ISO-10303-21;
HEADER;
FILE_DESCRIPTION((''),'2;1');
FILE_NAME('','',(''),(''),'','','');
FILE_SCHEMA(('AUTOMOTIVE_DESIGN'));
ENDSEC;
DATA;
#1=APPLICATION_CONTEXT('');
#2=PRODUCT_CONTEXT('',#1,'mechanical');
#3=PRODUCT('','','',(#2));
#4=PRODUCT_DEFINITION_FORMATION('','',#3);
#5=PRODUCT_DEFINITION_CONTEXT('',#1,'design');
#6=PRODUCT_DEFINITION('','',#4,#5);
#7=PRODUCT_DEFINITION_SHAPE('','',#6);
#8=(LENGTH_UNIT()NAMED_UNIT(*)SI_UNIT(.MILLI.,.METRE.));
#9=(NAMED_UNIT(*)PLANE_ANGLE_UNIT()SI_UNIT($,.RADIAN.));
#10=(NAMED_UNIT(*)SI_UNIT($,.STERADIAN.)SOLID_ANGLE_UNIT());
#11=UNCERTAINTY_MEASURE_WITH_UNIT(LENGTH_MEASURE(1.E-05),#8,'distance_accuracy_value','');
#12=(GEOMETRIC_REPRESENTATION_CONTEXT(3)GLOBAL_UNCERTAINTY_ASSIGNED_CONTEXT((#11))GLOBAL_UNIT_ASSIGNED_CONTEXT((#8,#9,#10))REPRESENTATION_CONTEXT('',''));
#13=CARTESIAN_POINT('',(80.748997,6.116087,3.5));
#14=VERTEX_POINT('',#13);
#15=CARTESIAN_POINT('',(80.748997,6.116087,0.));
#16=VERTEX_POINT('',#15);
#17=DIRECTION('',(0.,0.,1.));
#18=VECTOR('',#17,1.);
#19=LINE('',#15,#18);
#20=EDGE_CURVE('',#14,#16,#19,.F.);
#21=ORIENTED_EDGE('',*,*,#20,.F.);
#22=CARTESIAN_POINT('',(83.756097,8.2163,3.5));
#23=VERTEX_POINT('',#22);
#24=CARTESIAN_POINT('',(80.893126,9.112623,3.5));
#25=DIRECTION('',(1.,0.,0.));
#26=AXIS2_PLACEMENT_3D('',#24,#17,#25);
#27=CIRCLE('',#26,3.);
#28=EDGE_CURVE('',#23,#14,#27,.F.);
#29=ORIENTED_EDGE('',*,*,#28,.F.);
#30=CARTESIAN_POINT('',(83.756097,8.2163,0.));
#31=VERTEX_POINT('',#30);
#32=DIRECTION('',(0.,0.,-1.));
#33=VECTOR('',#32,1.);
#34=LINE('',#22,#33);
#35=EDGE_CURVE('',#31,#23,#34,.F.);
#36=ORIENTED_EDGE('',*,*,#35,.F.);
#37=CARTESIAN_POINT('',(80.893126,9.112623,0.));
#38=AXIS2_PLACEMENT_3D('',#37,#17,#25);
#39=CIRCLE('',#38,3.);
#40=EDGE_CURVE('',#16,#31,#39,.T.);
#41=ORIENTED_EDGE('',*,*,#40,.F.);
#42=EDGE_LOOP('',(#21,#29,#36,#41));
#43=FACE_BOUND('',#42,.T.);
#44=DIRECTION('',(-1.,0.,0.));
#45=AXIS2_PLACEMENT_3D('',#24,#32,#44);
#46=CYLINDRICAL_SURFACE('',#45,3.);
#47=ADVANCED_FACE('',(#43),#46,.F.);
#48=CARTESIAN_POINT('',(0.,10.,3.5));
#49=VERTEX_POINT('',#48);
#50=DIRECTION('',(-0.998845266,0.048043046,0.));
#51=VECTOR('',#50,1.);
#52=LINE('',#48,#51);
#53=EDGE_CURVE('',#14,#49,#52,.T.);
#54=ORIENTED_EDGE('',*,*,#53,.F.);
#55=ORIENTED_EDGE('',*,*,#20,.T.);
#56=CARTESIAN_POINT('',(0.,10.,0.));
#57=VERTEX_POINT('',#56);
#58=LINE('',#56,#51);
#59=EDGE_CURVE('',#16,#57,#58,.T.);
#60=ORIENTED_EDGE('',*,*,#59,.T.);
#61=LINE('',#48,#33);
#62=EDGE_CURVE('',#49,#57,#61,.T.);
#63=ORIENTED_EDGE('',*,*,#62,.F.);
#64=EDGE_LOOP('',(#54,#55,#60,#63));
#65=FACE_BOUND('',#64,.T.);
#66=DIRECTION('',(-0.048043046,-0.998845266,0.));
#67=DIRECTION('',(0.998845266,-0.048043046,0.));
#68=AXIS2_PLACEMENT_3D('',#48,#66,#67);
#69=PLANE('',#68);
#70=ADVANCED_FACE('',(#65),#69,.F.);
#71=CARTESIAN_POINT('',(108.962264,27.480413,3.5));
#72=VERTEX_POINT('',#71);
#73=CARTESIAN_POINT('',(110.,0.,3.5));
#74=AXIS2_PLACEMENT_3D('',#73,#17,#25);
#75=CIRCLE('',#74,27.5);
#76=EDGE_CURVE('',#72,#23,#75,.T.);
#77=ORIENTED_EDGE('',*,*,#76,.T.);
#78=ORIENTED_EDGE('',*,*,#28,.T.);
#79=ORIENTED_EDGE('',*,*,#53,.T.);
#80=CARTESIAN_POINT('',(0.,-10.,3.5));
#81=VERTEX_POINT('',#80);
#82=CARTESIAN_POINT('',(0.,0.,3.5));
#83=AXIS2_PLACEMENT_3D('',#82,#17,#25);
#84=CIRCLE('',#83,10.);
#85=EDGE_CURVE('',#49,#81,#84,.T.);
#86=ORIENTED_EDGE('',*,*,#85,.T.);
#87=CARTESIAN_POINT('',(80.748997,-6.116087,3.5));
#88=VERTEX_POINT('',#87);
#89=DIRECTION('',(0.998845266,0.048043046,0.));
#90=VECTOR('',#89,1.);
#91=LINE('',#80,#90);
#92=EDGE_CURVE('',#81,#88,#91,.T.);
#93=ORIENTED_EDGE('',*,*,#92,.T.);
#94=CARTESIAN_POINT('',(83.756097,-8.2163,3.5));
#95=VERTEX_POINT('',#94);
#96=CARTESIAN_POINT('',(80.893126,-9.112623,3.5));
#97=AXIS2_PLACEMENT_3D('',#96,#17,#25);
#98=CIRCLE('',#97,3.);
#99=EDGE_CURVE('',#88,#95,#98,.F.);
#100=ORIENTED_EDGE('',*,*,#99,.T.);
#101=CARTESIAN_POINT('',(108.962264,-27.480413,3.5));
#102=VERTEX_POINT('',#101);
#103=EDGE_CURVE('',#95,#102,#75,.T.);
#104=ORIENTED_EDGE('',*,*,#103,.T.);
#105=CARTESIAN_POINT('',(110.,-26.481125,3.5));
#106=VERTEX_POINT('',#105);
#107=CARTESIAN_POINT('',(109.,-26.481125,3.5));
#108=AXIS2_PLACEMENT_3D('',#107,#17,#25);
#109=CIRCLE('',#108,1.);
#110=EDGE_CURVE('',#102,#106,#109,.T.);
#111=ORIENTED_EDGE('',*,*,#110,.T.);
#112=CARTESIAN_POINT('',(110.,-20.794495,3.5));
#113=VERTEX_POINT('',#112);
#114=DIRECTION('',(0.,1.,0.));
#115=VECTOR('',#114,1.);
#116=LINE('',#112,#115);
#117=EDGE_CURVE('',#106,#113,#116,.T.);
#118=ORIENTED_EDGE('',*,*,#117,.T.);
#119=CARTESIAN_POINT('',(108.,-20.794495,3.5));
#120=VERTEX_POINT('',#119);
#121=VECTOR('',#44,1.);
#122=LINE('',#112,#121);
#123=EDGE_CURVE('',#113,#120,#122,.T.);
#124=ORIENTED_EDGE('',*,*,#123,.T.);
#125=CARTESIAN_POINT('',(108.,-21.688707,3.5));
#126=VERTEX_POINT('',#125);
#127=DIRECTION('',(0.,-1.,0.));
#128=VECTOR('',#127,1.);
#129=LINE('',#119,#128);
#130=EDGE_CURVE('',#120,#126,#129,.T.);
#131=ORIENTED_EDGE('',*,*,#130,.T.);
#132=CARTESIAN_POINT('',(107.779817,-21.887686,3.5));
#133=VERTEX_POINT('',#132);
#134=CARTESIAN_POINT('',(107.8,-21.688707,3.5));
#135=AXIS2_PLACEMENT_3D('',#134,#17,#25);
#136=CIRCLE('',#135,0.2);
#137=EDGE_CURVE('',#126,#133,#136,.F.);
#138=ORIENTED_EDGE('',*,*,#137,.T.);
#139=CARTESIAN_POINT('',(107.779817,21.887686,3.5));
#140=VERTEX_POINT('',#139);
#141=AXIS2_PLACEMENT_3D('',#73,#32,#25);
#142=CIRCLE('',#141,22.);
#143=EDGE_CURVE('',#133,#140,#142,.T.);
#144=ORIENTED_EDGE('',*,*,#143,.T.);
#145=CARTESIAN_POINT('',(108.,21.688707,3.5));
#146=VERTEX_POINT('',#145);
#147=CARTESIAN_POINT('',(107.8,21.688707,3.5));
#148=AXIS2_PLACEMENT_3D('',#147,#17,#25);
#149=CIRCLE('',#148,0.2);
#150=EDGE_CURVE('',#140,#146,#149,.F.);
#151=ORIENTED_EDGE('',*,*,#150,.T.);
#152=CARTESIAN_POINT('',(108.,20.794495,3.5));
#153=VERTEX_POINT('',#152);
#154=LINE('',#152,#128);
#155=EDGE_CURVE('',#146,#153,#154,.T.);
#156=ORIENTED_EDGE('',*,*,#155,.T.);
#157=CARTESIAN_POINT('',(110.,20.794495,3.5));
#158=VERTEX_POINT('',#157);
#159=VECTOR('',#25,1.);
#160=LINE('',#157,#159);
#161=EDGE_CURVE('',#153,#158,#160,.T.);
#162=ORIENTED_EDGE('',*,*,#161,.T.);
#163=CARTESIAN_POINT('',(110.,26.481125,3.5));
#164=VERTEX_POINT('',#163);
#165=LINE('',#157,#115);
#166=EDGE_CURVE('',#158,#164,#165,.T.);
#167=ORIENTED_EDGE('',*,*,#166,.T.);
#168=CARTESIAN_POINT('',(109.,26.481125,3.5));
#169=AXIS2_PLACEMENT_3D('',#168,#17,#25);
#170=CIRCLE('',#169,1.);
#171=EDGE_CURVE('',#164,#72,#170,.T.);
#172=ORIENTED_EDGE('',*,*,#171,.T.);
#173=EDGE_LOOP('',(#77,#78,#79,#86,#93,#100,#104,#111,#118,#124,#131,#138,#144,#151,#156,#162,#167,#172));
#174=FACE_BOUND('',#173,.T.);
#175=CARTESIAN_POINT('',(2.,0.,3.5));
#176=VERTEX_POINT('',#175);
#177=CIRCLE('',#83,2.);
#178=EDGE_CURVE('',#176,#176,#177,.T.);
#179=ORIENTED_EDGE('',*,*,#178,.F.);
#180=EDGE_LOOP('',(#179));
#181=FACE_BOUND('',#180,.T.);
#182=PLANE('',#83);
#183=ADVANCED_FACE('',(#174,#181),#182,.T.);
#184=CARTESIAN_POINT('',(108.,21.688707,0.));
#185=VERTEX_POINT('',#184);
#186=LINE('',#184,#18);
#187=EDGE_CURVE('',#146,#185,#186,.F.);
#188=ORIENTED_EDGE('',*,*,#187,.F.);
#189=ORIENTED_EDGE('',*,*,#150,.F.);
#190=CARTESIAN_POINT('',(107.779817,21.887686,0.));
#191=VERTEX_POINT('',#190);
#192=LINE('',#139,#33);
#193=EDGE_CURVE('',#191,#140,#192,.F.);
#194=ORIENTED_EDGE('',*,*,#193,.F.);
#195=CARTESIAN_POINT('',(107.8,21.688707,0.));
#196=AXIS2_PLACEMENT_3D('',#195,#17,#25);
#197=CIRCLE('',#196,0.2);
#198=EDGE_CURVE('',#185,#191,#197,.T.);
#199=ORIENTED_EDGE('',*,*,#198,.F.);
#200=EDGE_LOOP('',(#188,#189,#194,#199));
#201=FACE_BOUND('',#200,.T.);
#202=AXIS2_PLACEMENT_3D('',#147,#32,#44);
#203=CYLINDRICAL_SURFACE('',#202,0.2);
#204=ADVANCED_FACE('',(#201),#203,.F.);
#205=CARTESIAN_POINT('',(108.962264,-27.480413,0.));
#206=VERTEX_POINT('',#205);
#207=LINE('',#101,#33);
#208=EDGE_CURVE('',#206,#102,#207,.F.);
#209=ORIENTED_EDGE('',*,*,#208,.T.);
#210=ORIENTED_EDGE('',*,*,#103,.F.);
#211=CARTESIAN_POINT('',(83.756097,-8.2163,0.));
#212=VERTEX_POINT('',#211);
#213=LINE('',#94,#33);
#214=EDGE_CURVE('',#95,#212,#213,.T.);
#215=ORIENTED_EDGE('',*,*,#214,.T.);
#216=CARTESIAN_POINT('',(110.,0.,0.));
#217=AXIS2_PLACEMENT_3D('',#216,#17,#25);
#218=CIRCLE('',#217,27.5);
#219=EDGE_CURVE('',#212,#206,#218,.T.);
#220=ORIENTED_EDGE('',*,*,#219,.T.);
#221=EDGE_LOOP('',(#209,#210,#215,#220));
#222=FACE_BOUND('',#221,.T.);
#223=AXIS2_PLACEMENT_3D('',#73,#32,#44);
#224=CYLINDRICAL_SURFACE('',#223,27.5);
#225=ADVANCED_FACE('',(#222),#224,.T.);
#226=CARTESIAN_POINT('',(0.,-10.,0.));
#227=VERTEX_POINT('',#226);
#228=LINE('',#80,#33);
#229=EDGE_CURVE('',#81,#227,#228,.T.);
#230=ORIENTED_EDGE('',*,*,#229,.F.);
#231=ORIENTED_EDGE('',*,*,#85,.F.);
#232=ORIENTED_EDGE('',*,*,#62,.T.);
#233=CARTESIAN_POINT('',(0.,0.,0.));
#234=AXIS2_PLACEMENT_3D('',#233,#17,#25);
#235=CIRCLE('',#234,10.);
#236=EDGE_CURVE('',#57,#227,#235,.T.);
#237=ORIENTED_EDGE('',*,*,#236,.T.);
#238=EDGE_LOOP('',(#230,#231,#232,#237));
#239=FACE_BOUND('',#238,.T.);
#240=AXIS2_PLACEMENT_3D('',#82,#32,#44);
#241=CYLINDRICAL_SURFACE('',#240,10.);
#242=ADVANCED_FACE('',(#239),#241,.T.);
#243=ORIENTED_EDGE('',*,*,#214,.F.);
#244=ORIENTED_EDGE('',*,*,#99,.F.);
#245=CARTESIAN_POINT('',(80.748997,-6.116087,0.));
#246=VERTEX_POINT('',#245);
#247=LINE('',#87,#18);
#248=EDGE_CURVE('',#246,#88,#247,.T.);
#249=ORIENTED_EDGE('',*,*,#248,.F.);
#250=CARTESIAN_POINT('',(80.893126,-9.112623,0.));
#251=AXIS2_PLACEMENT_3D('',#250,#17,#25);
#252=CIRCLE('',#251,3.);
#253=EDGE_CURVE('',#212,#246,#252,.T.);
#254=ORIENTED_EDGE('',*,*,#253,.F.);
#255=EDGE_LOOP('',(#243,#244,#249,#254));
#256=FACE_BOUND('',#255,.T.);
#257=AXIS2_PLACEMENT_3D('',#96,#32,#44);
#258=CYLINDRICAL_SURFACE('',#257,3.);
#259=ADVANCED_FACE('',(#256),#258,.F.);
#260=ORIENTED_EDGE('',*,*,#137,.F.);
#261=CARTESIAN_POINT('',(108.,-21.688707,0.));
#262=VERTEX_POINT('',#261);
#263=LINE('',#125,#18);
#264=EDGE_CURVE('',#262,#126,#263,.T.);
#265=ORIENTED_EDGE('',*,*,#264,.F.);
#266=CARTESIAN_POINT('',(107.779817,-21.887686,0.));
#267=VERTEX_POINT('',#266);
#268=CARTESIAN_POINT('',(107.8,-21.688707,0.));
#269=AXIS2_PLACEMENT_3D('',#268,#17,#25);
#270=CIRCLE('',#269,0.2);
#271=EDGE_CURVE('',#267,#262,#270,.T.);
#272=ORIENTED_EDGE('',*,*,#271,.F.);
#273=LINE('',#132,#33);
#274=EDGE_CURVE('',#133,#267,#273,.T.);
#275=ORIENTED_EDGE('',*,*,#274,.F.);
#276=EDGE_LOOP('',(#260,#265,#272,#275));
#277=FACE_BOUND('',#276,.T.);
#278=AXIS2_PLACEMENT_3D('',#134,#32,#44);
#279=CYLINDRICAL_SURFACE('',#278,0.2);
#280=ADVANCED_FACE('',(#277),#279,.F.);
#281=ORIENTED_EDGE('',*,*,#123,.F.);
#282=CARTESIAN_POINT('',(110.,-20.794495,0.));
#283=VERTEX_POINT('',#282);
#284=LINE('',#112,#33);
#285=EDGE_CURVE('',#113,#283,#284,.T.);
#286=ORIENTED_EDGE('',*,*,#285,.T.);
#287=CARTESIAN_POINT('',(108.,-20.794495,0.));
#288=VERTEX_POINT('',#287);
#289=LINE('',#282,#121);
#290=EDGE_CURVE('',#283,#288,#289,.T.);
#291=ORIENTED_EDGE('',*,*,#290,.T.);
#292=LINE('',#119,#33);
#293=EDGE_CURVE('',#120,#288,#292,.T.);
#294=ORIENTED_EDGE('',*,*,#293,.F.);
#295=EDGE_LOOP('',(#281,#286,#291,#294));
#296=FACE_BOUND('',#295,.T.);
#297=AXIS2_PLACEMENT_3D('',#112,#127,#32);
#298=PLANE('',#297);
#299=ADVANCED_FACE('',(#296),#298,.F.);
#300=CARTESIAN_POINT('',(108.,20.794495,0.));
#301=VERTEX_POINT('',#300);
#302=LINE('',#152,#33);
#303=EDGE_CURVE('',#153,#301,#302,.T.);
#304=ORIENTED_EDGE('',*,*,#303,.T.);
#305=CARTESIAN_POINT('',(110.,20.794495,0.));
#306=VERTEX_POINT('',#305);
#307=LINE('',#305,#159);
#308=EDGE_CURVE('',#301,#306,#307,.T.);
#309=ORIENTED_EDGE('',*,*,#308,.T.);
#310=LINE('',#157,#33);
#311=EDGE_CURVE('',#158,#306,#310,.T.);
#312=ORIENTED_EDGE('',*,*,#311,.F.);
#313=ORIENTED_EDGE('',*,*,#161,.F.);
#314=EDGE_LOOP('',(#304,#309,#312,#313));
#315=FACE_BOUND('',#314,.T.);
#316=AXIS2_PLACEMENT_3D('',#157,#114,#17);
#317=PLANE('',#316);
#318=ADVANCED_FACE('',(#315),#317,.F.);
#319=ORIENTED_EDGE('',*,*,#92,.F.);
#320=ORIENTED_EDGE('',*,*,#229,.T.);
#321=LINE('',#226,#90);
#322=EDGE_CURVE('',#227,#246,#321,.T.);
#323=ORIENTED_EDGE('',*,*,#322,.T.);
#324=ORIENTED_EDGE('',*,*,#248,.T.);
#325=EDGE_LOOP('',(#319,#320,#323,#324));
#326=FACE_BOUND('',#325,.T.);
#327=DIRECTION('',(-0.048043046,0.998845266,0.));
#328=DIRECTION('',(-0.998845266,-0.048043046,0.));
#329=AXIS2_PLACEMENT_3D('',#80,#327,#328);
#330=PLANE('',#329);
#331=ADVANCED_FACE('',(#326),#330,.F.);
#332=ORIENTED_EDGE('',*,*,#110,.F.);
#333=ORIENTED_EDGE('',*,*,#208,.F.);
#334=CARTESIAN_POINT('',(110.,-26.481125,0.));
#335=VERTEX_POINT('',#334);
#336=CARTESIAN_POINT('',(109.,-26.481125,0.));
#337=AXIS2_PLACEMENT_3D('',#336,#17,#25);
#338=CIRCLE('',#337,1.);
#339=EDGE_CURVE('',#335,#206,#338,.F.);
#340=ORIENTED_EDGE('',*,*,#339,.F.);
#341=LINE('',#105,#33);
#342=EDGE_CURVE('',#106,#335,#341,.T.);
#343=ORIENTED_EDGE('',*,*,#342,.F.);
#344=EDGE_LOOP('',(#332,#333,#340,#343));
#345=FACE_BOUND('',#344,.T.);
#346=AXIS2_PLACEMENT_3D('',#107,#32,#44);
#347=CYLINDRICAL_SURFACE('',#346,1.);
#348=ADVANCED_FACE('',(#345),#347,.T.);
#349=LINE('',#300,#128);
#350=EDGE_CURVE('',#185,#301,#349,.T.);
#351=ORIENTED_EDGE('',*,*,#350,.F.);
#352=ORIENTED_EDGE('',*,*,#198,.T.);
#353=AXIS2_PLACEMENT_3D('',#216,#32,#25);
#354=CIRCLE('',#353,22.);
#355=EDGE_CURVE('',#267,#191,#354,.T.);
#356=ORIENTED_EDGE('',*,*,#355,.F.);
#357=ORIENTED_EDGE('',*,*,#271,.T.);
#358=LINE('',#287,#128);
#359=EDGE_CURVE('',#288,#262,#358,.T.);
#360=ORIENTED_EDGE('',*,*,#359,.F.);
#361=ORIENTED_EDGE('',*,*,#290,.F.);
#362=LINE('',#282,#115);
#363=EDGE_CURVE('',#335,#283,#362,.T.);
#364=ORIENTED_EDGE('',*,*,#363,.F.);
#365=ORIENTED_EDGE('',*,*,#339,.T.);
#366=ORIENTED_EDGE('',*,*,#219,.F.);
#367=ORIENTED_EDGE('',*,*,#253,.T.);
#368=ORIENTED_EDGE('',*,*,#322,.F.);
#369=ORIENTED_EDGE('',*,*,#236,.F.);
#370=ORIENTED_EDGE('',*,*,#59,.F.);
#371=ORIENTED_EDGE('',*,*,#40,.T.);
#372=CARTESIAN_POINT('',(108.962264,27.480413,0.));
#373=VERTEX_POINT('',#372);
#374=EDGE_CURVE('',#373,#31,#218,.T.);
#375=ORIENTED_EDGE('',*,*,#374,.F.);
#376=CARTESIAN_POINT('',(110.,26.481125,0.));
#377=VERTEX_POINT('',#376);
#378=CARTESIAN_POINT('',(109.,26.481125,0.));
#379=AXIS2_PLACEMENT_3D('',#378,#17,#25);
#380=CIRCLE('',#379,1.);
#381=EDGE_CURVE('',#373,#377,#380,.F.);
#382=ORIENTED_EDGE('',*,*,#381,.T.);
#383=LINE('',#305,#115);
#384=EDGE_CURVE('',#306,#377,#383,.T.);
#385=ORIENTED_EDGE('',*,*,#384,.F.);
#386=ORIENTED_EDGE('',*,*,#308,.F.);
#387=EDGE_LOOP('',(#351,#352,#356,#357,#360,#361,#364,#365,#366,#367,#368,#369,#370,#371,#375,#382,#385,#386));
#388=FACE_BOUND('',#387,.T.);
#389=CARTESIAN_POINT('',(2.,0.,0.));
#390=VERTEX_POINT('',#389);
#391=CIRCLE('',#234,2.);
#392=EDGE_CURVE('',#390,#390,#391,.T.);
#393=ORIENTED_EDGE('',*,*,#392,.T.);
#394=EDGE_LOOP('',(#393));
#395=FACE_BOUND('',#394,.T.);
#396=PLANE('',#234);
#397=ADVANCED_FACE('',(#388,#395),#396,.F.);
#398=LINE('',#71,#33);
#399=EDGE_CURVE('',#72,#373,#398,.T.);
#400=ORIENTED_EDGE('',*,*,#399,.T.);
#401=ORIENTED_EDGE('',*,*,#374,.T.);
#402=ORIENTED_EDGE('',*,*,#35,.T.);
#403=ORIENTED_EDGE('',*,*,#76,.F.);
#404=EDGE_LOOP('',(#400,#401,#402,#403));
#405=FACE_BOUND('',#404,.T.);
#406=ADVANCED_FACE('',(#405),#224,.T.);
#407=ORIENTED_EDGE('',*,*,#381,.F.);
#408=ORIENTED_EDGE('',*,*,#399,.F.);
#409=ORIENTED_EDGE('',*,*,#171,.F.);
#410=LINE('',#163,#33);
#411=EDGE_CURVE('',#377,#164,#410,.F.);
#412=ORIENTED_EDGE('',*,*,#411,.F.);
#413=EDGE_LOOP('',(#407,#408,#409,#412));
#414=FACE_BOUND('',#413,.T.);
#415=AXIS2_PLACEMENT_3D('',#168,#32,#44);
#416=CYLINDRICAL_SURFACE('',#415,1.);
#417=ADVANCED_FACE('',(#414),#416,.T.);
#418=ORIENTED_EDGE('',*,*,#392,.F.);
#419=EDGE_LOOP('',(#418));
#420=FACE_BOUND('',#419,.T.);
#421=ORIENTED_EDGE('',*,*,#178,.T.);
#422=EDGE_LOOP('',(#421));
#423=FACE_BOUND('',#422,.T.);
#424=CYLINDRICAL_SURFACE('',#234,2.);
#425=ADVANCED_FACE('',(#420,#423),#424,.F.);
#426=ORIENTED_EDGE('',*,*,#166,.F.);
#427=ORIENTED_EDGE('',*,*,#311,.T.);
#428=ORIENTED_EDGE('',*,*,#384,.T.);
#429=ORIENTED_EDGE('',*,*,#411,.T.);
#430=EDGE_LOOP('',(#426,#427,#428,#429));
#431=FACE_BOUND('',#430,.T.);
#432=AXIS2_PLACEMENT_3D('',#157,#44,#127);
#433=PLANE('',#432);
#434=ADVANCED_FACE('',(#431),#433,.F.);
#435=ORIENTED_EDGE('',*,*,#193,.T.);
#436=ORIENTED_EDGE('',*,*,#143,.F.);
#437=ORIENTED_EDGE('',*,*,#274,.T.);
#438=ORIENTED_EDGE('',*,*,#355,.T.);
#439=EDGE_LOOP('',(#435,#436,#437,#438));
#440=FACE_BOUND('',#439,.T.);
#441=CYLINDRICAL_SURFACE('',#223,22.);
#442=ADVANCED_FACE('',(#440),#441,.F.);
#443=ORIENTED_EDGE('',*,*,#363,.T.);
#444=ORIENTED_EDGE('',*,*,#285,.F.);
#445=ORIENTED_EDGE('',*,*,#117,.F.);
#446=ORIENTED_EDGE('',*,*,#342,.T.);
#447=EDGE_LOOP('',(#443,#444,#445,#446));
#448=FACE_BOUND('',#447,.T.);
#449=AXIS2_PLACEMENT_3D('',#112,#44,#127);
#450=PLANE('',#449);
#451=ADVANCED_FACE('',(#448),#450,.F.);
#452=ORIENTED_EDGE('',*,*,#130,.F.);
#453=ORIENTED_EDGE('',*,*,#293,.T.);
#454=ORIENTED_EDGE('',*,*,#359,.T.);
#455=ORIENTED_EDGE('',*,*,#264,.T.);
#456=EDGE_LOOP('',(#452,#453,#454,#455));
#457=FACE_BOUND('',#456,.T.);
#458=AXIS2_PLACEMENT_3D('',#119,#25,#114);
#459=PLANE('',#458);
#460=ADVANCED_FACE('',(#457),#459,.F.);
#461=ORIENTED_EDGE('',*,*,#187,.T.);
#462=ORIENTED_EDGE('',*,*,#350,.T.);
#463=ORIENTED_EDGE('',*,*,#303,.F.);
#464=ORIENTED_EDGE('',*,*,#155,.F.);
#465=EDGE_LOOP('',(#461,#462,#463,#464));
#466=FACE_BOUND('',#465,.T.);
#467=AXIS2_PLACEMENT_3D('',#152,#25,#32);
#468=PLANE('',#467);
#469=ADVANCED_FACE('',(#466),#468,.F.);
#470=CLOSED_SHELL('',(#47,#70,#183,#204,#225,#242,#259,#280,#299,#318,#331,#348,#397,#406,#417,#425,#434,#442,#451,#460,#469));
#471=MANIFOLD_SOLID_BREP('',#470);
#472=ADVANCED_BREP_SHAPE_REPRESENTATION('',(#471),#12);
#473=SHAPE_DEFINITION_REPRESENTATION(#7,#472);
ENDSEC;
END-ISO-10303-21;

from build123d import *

# Parameters (mm, degrees)
EXTRUSION1_DEPTH = 3.5
CONG_1_R         = 3
CONG_2_R         = 3
CONG_3_R         = 1
CONG_4_R         = 1
CONG_7_R         = 0.2
CONG_8_R         = 0.2
ESQUISSE2_R      = 2
EXTRUSION2_DEPTH = 3.5


with BuildPart() as part:
    # Esquisse1 → Extrusion1 (new body)
    with BuildSketch(Plane.XY):
        with BuildLine():
            Line((0, 10), (83.162526199, 6))
            ThreePointArc((83.162526199, 6), (92.806251136, 21.462176031), (110, 27.5))
            Line((110, 27.5), (110, 20.794494718))
            Line((110, 20.794494718), (108, 20.794494718))
            Line((108, 20.794494718), (108, 21.9089023))
            ThreePointArc((108, 21.9089023), (88, 0), (108, -21.9089023))
            Line((108, -21.9089023), (108, -20.794494718))
            Line((108, -20.794494718), (110, -20.794494718))
            Line((110, -20.794494718), (110, -27.5))
            ThreePointArc((110, -27.5), (92.806251136, -21.462176031), (83.162526199, -6))
            Line((83.162526199, -6), (0, -10))
            ThreePointArc((0, -10), (-10, 0), (0, 10))
        make_face()
    extrude(amount=EXTRUSION1_DEPTH)

    # Congé1
    cong_1_edges = [part.edges().sort_by_distance(p)[0] for p in [
        (83.162526199, 6, 1.75),
    ]]
    fillet(cong_1_edges, radius=CONG_1_R)

    # Congé2
    cong_2_edges = [part.edges().sort_by_distance(p)[0] for p in [
        (83.162526199, -6, 1.75),
    ]]
    fillet(cong_2_edges, radius=CONG_2_R)

    # Congé3
    cong_3_edges = [part.edges().sort_by_distance(p)[0] for p in [
        (110, 27.5, 1.75),
    ]]
    fillet(cong_3_edges, radius=CONG_3_R)

    # Congé4
    cong_4_edges = [part.edges().sort_by_distance(p)[0] for p in [
        (110, -27.5, 1.75),
    ]]
    fillet(cong_4_edges, radius=CONG_4_R)

    # Congé7
    cong_7_edges = [part.edges().sort_by_distance(p)[0] for p in [
        (108, -21.9089023, 1.75),
    ]]
    fillet(cong_7_edges, radius=CONG_7_R)

    # Congé8
    cong_8_edges = [part.edges().sort_by_distance(p)[0] for p in [
        (108, 21.9089023, 1.75),
    ]]
    fillet(cong_8_edges, radius=CONG_8_R)

    # Esquisse2 → Extrusion2 (cut)
    with BuildSketch(Plane.XY.offset(3.5)):
        Circle(ESQUISSE2_R)
    extrude(amount=-EXTRUSION2_DEPTH, mode=Mode.SUBTRACT)


solid = part.part
